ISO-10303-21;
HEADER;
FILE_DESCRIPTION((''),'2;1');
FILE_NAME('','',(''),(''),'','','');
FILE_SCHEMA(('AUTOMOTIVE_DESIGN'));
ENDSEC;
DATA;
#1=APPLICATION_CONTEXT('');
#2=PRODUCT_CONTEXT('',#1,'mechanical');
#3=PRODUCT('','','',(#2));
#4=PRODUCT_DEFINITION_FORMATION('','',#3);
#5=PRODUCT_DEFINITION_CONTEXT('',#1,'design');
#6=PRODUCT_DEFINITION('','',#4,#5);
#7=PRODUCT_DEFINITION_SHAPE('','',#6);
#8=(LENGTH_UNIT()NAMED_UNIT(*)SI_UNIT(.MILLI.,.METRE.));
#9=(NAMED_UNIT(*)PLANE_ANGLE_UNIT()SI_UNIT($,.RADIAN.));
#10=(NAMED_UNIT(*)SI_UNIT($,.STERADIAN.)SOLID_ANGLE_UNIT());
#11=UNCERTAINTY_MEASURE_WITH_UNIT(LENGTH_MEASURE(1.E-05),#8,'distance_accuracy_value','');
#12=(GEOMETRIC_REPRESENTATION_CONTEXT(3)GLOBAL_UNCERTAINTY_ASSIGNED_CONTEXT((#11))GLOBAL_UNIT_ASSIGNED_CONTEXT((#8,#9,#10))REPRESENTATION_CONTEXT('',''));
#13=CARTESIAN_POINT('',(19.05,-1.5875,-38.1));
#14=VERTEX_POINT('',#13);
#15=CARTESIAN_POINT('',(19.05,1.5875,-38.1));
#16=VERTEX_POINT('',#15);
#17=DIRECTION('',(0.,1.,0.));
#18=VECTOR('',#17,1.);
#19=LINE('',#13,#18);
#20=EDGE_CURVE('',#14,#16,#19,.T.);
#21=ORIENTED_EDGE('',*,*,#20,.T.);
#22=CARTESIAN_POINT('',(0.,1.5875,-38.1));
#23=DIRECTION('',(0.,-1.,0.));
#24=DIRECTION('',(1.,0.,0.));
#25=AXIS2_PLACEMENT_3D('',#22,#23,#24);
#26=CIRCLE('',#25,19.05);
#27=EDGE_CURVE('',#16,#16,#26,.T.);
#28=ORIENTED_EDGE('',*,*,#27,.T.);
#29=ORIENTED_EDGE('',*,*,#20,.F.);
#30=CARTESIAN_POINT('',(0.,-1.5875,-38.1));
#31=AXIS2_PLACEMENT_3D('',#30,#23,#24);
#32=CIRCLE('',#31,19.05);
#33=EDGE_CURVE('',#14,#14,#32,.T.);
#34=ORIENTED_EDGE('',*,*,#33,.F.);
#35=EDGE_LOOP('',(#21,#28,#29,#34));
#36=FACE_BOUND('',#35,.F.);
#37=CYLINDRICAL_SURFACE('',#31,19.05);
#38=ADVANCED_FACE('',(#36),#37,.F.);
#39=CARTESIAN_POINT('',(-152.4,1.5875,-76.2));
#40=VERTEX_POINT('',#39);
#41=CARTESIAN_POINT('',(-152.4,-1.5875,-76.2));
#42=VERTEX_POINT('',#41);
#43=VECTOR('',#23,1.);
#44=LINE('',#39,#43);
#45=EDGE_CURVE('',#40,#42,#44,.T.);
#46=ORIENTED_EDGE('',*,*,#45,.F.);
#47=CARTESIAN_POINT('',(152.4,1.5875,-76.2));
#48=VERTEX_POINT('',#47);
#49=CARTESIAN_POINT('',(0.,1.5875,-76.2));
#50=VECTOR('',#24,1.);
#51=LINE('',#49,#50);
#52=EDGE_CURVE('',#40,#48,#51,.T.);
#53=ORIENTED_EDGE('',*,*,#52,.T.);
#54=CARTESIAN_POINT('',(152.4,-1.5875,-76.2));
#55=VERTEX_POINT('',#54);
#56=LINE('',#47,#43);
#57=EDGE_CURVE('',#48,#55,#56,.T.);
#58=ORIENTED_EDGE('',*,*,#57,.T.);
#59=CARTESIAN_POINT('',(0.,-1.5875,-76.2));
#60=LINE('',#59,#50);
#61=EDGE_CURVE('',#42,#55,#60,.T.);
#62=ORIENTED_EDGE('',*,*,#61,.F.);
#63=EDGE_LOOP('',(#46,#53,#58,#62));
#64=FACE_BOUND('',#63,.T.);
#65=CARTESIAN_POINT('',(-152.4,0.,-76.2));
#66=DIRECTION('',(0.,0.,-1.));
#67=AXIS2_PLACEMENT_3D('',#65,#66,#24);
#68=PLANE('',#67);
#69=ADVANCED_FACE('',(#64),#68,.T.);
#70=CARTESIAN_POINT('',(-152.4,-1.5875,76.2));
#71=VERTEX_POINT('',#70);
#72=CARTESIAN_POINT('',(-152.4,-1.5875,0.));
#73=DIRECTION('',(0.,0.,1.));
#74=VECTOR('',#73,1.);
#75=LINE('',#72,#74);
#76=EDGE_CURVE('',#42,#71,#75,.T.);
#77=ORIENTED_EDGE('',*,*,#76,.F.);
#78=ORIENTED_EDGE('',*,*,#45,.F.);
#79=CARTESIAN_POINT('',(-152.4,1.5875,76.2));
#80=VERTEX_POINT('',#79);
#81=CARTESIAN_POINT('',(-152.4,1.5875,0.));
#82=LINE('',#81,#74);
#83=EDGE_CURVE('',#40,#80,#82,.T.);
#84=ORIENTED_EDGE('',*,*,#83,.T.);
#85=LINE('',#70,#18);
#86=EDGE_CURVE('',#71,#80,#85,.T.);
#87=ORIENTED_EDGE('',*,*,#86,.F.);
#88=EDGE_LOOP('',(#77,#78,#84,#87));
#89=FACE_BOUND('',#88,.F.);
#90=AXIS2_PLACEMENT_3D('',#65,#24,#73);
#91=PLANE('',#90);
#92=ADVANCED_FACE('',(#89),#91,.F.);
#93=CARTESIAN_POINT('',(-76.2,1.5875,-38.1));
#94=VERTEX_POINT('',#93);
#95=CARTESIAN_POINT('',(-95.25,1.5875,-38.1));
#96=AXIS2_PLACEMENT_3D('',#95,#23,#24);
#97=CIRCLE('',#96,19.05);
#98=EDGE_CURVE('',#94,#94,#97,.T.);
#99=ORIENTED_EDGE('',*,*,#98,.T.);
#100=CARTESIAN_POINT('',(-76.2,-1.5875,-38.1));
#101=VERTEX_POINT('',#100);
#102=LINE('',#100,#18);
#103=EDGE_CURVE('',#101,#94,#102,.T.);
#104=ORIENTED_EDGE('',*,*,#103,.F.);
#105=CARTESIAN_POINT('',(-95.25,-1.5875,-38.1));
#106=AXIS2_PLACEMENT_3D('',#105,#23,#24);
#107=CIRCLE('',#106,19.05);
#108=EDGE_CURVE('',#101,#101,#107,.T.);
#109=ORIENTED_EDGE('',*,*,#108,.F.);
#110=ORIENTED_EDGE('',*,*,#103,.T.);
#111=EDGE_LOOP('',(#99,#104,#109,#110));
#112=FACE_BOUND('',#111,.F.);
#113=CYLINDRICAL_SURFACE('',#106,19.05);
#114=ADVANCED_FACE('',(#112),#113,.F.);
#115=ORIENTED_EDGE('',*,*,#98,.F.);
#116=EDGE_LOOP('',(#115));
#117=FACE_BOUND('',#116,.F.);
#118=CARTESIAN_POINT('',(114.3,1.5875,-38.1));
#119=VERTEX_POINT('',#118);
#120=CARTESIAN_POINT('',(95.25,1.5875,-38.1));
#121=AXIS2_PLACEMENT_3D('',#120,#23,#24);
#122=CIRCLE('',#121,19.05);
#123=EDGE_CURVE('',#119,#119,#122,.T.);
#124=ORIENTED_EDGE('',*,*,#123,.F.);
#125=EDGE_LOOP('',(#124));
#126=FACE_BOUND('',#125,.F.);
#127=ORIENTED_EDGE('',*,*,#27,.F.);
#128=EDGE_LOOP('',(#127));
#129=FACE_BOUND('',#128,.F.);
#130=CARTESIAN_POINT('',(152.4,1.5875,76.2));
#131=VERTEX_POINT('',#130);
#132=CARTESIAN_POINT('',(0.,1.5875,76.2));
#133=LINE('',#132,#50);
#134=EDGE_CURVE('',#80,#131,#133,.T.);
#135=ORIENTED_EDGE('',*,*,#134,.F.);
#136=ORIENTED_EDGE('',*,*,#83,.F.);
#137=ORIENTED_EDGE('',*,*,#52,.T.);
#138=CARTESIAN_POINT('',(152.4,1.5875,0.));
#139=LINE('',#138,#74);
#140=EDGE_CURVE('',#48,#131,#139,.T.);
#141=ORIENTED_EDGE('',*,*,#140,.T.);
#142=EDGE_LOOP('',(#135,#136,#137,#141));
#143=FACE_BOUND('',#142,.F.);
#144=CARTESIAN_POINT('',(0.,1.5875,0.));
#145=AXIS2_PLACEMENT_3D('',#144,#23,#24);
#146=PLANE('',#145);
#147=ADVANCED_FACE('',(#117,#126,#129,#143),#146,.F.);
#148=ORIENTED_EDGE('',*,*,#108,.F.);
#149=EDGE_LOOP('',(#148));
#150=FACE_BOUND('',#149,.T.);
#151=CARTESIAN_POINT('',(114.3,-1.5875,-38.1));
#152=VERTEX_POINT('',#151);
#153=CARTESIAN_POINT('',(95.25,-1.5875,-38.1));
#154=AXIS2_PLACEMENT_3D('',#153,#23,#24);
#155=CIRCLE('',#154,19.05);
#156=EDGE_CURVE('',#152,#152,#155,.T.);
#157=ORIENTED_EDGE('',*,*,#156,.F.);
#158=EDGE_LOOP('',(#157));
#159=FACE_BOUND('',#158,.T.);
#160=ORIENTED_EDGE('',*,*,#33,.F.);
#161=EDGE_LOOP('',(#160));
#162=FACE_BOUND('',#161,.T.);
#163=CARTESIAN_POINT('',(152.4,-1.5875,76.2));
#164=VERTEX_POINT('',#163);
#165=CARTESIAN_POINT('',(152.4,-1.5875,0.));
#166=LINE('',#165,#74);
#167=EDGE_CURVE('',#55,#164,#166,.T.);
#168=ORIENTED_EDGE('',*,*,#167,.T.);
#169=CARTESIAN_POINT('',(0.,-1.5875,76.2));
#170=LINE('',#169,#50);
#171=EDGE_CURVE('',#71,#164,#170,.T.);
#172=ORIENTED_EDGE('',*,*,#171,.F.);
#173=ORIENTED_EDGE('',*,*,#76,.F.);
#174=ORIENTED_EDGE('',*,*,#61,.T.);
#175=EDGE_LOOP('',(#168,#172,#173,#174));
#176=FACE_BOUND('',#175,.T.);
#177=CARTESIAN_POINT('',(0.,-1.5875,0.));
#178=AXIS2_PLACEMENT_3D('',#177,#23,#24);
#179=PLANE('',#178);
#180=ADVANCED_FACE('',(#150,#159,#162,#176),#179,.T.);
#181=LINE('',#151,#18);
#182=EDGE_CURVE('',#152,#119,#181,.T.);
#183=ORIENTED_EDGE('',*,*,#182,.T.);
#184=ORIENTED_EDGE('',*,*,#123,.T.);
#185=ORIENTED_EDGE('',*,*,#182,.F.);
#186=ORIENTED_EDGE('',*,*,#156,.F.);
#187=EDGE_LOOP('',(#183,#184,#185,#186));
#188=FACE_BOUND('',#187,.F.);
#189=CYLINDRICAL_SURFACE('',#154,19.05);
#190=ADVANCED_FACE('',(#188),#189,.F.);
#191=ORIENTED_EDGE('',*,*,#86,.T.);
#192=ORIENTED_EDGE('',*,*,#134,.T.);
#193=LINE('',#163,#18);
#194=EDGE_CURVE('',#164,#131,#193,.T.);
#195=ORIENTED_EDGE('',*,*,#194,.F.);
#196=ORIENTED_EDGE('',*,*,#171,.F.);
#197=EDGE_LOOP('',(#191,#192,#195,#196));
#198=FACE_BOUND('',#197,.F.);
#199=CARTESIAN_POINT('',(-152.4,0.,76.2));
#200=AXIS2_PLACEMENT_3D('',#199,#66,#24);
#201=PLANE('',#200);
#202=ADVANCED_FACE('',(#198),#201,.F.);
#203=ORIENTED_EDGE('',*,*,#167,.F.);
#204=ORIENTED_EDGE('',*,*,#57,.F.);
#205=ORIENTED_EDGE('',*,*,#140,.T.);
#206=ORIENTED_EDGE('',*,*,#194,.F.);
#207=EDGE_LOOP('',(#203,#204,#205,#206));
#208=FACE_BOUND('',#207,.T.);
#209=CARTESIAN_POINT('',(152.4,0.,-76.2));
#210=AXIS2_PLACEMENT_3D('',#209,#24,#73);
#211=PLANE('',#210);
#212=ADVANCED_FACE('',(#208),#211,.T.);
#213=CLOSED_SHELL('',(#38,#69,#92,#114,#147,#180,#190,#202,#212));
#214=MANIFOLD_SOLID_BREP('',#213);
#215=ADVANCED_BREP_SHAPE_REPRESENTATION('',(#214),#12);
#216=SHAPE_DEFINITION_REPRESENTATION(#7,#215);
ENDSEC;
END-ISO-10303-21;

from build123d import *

# Parameters (mm, degrees)
F0_W     = 304.8
F0_H     = 152.4
F1_DEPTH = 1.5875
F2_R     = 19.05
F3_DEPTH = 3.176


with BuildPart() as f1:
    # F0 (on Front) → F1 (new body, symmetric)
    with BuildSketch(Plane.XZ):
        Rectangle(F0_W, F0_H)
    extrude(amount=F1_DEPTH, both=True)

    # F2 (on face) → F3 (cut, through all)
    with BuildSketch(Plane.XZ.offset(1.5875)):
        with Locations((-95.25, -38.1)):
            Circle(F2_R)
        with Locations((0, -38.1)):
            Circle(F2_R)
        with Locations((95.25, -38.1)):
            Circle(F2_R)
    extrude(amount=-F3_DEPTH, mode=Mode.SUBTRACT)


solid = f1.part
